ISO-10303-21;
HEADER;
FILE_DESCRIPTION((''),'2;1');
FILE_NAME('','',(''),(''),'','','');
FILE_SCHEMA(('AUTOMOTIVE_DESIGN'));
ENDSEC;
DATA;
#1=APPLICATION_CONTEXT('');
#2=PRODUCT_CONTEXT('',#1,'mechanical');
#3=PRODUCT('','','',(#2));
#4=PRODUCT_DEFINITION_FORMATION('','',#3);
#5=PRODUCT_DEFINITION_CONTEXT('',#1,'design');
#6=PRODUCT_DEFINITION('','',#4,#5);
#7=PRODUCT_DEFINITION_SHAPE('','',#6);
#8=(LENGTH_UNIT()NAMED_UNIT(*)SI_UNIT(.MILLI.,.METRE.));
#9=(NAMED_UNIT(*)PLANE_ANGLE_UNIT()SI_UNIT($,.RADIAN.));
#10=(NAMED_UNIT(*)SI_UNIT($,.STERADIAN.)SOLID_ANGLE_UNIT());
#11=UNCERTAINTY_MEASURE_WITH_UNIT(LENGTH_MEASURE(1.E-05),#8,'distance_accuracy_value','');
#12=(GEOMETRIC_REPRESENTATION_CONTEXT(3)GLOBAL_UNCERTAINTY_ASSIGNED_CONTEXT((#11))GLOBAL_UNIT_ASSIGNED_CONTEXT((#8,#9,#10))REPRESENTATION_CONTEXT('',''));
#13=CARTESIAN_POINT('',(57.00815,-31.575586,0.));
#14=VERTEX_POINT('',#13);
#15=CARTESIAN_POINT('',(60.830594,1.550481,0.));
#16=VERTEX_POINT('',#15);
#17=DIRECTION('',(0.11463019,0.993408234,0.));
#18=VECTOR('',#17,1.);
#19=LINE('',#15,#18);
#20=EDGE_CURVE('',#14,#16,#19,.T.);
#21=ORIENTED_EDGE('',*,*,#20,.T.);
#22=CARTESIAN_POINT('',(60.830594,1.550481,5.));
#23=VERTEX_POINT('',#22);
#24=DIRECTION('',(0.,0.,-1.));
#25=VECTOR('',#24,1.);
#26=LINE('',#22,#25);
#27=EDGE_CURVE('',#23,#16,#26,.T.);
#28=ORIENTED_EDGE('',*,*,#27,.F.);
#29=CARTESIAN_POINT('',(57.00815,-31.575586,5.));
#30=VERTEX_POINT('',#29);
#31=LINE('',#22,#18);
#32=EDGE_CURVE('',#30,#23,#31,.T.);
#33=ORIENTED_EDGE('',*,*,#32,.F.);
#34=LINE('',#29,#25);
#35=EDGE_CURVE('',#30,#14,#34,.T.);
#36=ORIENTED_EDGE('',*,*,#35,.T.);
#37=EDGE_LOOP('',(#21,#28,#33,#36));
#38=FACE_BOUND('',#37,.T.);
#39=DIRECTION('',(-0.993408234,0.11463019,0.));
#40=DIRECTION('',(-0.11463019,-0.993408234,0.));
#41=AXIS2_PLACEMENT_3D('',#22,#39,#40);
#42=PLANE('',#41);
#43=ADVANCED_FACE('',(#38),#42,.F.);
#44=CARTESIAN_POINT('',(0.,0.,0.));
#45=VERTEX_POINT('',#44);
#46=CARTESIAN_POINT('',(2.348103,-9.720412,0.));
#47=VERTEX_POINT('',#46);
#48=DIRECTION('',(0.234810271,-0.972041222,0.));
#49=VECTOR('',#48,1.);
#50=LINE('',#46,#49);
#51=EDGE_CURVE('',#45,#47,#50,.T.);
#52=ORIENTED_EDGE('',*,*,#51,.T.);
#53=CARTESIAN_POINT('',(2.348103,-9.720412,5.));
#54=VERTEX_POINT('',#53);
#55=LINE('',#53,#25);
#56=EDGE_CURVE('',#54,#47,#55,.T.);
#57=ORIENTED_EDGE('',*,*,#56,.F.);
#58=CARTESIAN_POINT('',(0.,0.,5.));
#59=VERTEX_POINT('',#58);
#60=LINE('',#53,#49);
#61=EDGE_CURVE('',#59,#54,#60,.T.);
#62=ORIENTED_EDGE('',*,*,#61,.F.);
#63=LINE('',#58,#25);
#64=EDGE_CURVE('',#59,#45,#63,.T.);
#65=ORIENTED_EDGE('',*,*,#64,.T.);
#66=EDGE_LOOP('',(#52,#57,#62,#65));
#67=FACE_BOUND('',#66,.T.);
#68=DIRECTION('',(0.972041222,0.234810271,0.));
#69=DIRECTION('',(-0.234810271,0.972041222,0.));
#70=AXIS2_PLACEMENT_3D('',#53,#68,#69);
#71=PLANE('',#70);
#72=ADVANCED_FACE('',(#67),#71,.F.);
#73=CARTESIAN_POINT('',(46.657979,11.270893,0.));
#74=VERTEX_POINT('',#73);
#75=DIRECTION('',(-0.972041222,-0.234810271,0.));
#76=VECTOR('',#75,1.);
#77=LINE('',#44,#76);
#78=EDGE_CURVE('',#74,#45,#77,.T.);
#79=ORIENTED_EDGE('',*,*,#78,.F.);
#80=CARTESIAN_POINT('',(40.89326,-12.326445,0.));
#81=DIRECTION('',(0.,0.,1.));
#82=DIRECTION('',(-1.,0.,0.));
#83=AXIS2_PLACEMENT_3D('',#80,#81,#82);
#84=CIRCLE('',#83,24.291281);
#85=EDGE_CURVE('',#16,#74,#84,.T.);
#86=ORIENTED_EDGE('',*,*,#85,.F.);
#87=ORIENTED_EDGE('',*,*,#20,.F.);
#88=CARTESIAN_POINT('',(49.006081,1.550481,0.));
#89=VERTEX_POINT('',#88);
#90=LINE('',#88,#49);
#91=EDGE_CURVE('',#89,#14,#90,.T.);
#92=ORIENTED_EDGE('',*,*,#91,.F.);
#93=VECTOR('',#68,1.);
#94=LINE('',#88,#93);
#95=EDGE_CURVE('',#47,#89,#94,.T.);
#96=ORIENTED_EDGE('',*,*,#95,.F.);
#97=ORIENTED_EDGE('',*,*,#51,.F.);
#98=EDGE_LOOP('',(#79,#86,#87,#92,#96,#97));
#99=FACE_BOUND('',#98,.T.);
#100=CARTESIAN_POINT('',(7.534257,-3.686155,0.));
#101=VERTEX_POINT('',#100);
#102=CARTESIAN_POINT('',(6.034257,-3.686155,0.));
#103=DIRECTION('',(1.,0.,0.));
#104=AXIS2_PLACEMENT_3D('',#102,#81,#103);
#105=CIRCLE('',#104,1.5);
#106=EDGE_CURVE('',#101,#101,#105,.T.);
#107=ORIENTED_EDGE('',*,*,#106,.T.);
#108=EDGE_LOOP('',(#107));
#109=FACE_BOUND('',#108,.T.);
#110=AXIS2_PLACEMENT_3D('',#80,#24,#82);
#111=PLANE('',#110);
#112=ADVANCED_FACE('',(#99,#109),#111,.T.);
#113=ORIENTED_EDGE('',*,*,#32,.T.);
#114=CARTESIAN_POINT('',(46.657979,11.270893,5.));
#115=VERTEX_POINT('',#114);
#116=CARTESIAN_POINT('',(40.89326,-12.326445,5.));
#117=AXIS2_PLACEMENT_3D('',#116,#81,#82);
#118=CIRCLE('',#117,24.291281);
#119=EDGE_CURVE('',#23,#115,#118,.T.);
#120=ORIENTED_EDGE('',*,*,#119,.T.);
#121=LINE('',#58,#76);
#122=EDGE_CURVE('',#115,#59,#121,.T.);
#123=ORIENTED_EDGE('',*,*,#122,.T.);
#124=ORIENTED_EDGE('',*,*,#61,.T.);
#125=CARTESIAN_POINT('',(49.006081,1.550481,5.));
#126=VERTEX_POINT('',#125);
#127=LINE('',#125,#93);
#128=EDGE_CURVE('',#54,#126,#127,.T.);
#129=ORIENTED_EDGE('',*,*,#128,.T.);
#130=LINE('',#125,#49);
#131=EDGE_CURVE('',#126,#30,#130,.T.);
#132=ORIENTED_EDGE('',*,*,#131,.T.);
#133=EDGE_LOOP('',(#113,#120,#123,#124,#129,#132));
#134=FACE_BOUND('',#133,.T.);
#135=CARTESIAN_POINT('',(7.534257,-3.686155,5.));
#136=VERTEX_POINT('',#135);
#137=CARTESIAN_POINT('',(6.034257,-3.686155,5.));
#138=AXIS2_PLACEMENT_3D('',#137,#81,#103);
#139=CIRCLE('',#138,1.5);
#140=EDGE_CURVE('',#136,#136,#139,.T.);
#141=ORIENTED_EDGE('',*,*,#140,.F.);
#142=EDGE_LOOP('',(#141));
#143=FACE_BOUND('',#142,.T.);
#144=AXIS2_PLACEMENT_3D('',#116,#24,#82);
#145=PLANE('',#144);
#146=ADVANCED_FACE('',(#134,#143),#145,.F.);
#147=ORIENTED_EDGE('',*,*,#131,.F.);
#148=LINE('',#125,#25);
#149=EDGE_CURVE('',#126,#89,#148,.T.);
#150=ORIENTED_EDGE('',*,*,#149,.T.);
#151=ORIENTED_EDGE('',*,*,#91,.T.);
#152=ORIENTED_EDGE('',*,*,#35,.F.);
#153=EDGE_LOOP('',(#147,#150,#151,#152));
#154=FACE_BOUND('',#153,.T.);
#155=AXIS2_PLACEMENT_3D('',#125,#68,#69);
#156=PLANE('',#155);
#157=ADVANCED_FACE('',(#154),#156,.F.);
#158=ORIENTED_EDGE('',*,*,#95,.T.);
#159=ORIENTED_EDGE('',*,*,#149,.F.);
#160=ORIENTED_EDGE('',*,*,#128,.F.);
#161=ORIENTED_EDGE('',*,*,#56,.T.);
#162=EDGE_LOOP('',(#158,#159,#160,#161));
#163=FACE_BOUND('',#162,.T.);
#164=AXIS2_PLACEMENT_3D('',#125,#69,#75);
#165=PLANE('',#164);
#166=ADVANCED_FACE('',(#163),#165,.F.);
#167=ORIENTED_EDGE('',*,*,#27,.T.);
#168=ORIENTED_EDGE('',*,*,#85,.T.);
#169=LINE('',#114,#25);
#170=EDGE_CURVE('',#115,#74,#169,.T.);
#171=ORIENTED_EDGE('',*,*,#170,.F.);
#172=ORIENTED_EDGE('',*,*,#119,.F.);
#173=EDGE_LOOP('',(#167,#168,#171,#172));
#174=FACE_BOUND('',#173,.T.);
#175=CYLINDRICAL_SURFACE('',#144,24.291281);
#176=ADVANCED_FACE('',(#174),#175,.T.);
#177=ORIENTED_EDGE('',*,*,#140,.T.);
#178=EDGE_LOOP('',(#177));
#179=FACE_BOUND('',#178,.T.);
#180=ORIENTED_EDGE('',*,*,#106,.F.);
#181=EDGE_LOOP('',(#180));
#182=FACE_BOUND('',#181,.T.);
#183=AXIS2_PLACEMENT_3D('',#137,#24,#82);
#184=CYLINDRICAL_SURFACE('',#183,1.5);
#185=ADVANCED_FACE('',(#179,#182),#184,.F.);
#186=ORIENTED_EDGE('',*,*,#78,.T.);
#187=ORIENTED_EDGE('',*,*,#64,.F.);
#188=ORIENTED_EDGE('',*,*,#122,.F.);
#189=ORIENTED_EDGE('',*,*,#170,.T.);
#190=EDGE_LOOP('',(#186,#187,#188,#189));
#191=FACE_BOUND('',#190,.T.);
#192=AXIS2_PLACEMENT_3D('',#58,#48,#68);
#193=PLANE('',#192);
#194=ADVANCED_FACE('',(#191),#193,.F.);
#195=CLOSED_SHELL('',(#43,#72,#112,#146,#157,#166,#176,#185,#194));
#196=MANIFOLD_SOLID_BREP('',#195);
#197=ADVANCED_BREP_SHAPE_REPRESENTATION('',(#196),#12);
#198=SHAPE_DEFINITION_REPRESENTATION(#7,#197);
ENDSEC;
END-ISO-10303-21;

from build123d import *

# Parameters (mm, degrees)
ESQUISSE1_R        = 1.5
BOSS_EXTRU_1_DEPTH = 5


with BuildPart() as part:
    # Esquisse1 → Boss.-Extru.1 (new body)
    with BuildSketch(Plane.XY):
        with BuildLine():
            Line((60.83059411, 1.550480806), (57.008150143, -31.575585963))
            Line((57.008150143, -31.575585963), (49.00608135, 1.550480806))
            Line((49.00608135, 1.550480806), (2.348102713, -9.720412216))
            Line((2.348102713, -9.720412216), (0, 0))
            Line((0, 0), (46.657978637, 11.270893022))
            ThreePointArc((46.657978637, 11.270893022), (54.632637101, 7.705925529), (60.83059411, 1.550480806))
        make_face()
        with Locations((6.034257464, -3.686154752)):
            Circle(ESQUISSE1_R, mode=Mode.SUBTRACT)
    extrude(amount=BOSS_EXTRU_1_DEPTH)


solid = part.part
